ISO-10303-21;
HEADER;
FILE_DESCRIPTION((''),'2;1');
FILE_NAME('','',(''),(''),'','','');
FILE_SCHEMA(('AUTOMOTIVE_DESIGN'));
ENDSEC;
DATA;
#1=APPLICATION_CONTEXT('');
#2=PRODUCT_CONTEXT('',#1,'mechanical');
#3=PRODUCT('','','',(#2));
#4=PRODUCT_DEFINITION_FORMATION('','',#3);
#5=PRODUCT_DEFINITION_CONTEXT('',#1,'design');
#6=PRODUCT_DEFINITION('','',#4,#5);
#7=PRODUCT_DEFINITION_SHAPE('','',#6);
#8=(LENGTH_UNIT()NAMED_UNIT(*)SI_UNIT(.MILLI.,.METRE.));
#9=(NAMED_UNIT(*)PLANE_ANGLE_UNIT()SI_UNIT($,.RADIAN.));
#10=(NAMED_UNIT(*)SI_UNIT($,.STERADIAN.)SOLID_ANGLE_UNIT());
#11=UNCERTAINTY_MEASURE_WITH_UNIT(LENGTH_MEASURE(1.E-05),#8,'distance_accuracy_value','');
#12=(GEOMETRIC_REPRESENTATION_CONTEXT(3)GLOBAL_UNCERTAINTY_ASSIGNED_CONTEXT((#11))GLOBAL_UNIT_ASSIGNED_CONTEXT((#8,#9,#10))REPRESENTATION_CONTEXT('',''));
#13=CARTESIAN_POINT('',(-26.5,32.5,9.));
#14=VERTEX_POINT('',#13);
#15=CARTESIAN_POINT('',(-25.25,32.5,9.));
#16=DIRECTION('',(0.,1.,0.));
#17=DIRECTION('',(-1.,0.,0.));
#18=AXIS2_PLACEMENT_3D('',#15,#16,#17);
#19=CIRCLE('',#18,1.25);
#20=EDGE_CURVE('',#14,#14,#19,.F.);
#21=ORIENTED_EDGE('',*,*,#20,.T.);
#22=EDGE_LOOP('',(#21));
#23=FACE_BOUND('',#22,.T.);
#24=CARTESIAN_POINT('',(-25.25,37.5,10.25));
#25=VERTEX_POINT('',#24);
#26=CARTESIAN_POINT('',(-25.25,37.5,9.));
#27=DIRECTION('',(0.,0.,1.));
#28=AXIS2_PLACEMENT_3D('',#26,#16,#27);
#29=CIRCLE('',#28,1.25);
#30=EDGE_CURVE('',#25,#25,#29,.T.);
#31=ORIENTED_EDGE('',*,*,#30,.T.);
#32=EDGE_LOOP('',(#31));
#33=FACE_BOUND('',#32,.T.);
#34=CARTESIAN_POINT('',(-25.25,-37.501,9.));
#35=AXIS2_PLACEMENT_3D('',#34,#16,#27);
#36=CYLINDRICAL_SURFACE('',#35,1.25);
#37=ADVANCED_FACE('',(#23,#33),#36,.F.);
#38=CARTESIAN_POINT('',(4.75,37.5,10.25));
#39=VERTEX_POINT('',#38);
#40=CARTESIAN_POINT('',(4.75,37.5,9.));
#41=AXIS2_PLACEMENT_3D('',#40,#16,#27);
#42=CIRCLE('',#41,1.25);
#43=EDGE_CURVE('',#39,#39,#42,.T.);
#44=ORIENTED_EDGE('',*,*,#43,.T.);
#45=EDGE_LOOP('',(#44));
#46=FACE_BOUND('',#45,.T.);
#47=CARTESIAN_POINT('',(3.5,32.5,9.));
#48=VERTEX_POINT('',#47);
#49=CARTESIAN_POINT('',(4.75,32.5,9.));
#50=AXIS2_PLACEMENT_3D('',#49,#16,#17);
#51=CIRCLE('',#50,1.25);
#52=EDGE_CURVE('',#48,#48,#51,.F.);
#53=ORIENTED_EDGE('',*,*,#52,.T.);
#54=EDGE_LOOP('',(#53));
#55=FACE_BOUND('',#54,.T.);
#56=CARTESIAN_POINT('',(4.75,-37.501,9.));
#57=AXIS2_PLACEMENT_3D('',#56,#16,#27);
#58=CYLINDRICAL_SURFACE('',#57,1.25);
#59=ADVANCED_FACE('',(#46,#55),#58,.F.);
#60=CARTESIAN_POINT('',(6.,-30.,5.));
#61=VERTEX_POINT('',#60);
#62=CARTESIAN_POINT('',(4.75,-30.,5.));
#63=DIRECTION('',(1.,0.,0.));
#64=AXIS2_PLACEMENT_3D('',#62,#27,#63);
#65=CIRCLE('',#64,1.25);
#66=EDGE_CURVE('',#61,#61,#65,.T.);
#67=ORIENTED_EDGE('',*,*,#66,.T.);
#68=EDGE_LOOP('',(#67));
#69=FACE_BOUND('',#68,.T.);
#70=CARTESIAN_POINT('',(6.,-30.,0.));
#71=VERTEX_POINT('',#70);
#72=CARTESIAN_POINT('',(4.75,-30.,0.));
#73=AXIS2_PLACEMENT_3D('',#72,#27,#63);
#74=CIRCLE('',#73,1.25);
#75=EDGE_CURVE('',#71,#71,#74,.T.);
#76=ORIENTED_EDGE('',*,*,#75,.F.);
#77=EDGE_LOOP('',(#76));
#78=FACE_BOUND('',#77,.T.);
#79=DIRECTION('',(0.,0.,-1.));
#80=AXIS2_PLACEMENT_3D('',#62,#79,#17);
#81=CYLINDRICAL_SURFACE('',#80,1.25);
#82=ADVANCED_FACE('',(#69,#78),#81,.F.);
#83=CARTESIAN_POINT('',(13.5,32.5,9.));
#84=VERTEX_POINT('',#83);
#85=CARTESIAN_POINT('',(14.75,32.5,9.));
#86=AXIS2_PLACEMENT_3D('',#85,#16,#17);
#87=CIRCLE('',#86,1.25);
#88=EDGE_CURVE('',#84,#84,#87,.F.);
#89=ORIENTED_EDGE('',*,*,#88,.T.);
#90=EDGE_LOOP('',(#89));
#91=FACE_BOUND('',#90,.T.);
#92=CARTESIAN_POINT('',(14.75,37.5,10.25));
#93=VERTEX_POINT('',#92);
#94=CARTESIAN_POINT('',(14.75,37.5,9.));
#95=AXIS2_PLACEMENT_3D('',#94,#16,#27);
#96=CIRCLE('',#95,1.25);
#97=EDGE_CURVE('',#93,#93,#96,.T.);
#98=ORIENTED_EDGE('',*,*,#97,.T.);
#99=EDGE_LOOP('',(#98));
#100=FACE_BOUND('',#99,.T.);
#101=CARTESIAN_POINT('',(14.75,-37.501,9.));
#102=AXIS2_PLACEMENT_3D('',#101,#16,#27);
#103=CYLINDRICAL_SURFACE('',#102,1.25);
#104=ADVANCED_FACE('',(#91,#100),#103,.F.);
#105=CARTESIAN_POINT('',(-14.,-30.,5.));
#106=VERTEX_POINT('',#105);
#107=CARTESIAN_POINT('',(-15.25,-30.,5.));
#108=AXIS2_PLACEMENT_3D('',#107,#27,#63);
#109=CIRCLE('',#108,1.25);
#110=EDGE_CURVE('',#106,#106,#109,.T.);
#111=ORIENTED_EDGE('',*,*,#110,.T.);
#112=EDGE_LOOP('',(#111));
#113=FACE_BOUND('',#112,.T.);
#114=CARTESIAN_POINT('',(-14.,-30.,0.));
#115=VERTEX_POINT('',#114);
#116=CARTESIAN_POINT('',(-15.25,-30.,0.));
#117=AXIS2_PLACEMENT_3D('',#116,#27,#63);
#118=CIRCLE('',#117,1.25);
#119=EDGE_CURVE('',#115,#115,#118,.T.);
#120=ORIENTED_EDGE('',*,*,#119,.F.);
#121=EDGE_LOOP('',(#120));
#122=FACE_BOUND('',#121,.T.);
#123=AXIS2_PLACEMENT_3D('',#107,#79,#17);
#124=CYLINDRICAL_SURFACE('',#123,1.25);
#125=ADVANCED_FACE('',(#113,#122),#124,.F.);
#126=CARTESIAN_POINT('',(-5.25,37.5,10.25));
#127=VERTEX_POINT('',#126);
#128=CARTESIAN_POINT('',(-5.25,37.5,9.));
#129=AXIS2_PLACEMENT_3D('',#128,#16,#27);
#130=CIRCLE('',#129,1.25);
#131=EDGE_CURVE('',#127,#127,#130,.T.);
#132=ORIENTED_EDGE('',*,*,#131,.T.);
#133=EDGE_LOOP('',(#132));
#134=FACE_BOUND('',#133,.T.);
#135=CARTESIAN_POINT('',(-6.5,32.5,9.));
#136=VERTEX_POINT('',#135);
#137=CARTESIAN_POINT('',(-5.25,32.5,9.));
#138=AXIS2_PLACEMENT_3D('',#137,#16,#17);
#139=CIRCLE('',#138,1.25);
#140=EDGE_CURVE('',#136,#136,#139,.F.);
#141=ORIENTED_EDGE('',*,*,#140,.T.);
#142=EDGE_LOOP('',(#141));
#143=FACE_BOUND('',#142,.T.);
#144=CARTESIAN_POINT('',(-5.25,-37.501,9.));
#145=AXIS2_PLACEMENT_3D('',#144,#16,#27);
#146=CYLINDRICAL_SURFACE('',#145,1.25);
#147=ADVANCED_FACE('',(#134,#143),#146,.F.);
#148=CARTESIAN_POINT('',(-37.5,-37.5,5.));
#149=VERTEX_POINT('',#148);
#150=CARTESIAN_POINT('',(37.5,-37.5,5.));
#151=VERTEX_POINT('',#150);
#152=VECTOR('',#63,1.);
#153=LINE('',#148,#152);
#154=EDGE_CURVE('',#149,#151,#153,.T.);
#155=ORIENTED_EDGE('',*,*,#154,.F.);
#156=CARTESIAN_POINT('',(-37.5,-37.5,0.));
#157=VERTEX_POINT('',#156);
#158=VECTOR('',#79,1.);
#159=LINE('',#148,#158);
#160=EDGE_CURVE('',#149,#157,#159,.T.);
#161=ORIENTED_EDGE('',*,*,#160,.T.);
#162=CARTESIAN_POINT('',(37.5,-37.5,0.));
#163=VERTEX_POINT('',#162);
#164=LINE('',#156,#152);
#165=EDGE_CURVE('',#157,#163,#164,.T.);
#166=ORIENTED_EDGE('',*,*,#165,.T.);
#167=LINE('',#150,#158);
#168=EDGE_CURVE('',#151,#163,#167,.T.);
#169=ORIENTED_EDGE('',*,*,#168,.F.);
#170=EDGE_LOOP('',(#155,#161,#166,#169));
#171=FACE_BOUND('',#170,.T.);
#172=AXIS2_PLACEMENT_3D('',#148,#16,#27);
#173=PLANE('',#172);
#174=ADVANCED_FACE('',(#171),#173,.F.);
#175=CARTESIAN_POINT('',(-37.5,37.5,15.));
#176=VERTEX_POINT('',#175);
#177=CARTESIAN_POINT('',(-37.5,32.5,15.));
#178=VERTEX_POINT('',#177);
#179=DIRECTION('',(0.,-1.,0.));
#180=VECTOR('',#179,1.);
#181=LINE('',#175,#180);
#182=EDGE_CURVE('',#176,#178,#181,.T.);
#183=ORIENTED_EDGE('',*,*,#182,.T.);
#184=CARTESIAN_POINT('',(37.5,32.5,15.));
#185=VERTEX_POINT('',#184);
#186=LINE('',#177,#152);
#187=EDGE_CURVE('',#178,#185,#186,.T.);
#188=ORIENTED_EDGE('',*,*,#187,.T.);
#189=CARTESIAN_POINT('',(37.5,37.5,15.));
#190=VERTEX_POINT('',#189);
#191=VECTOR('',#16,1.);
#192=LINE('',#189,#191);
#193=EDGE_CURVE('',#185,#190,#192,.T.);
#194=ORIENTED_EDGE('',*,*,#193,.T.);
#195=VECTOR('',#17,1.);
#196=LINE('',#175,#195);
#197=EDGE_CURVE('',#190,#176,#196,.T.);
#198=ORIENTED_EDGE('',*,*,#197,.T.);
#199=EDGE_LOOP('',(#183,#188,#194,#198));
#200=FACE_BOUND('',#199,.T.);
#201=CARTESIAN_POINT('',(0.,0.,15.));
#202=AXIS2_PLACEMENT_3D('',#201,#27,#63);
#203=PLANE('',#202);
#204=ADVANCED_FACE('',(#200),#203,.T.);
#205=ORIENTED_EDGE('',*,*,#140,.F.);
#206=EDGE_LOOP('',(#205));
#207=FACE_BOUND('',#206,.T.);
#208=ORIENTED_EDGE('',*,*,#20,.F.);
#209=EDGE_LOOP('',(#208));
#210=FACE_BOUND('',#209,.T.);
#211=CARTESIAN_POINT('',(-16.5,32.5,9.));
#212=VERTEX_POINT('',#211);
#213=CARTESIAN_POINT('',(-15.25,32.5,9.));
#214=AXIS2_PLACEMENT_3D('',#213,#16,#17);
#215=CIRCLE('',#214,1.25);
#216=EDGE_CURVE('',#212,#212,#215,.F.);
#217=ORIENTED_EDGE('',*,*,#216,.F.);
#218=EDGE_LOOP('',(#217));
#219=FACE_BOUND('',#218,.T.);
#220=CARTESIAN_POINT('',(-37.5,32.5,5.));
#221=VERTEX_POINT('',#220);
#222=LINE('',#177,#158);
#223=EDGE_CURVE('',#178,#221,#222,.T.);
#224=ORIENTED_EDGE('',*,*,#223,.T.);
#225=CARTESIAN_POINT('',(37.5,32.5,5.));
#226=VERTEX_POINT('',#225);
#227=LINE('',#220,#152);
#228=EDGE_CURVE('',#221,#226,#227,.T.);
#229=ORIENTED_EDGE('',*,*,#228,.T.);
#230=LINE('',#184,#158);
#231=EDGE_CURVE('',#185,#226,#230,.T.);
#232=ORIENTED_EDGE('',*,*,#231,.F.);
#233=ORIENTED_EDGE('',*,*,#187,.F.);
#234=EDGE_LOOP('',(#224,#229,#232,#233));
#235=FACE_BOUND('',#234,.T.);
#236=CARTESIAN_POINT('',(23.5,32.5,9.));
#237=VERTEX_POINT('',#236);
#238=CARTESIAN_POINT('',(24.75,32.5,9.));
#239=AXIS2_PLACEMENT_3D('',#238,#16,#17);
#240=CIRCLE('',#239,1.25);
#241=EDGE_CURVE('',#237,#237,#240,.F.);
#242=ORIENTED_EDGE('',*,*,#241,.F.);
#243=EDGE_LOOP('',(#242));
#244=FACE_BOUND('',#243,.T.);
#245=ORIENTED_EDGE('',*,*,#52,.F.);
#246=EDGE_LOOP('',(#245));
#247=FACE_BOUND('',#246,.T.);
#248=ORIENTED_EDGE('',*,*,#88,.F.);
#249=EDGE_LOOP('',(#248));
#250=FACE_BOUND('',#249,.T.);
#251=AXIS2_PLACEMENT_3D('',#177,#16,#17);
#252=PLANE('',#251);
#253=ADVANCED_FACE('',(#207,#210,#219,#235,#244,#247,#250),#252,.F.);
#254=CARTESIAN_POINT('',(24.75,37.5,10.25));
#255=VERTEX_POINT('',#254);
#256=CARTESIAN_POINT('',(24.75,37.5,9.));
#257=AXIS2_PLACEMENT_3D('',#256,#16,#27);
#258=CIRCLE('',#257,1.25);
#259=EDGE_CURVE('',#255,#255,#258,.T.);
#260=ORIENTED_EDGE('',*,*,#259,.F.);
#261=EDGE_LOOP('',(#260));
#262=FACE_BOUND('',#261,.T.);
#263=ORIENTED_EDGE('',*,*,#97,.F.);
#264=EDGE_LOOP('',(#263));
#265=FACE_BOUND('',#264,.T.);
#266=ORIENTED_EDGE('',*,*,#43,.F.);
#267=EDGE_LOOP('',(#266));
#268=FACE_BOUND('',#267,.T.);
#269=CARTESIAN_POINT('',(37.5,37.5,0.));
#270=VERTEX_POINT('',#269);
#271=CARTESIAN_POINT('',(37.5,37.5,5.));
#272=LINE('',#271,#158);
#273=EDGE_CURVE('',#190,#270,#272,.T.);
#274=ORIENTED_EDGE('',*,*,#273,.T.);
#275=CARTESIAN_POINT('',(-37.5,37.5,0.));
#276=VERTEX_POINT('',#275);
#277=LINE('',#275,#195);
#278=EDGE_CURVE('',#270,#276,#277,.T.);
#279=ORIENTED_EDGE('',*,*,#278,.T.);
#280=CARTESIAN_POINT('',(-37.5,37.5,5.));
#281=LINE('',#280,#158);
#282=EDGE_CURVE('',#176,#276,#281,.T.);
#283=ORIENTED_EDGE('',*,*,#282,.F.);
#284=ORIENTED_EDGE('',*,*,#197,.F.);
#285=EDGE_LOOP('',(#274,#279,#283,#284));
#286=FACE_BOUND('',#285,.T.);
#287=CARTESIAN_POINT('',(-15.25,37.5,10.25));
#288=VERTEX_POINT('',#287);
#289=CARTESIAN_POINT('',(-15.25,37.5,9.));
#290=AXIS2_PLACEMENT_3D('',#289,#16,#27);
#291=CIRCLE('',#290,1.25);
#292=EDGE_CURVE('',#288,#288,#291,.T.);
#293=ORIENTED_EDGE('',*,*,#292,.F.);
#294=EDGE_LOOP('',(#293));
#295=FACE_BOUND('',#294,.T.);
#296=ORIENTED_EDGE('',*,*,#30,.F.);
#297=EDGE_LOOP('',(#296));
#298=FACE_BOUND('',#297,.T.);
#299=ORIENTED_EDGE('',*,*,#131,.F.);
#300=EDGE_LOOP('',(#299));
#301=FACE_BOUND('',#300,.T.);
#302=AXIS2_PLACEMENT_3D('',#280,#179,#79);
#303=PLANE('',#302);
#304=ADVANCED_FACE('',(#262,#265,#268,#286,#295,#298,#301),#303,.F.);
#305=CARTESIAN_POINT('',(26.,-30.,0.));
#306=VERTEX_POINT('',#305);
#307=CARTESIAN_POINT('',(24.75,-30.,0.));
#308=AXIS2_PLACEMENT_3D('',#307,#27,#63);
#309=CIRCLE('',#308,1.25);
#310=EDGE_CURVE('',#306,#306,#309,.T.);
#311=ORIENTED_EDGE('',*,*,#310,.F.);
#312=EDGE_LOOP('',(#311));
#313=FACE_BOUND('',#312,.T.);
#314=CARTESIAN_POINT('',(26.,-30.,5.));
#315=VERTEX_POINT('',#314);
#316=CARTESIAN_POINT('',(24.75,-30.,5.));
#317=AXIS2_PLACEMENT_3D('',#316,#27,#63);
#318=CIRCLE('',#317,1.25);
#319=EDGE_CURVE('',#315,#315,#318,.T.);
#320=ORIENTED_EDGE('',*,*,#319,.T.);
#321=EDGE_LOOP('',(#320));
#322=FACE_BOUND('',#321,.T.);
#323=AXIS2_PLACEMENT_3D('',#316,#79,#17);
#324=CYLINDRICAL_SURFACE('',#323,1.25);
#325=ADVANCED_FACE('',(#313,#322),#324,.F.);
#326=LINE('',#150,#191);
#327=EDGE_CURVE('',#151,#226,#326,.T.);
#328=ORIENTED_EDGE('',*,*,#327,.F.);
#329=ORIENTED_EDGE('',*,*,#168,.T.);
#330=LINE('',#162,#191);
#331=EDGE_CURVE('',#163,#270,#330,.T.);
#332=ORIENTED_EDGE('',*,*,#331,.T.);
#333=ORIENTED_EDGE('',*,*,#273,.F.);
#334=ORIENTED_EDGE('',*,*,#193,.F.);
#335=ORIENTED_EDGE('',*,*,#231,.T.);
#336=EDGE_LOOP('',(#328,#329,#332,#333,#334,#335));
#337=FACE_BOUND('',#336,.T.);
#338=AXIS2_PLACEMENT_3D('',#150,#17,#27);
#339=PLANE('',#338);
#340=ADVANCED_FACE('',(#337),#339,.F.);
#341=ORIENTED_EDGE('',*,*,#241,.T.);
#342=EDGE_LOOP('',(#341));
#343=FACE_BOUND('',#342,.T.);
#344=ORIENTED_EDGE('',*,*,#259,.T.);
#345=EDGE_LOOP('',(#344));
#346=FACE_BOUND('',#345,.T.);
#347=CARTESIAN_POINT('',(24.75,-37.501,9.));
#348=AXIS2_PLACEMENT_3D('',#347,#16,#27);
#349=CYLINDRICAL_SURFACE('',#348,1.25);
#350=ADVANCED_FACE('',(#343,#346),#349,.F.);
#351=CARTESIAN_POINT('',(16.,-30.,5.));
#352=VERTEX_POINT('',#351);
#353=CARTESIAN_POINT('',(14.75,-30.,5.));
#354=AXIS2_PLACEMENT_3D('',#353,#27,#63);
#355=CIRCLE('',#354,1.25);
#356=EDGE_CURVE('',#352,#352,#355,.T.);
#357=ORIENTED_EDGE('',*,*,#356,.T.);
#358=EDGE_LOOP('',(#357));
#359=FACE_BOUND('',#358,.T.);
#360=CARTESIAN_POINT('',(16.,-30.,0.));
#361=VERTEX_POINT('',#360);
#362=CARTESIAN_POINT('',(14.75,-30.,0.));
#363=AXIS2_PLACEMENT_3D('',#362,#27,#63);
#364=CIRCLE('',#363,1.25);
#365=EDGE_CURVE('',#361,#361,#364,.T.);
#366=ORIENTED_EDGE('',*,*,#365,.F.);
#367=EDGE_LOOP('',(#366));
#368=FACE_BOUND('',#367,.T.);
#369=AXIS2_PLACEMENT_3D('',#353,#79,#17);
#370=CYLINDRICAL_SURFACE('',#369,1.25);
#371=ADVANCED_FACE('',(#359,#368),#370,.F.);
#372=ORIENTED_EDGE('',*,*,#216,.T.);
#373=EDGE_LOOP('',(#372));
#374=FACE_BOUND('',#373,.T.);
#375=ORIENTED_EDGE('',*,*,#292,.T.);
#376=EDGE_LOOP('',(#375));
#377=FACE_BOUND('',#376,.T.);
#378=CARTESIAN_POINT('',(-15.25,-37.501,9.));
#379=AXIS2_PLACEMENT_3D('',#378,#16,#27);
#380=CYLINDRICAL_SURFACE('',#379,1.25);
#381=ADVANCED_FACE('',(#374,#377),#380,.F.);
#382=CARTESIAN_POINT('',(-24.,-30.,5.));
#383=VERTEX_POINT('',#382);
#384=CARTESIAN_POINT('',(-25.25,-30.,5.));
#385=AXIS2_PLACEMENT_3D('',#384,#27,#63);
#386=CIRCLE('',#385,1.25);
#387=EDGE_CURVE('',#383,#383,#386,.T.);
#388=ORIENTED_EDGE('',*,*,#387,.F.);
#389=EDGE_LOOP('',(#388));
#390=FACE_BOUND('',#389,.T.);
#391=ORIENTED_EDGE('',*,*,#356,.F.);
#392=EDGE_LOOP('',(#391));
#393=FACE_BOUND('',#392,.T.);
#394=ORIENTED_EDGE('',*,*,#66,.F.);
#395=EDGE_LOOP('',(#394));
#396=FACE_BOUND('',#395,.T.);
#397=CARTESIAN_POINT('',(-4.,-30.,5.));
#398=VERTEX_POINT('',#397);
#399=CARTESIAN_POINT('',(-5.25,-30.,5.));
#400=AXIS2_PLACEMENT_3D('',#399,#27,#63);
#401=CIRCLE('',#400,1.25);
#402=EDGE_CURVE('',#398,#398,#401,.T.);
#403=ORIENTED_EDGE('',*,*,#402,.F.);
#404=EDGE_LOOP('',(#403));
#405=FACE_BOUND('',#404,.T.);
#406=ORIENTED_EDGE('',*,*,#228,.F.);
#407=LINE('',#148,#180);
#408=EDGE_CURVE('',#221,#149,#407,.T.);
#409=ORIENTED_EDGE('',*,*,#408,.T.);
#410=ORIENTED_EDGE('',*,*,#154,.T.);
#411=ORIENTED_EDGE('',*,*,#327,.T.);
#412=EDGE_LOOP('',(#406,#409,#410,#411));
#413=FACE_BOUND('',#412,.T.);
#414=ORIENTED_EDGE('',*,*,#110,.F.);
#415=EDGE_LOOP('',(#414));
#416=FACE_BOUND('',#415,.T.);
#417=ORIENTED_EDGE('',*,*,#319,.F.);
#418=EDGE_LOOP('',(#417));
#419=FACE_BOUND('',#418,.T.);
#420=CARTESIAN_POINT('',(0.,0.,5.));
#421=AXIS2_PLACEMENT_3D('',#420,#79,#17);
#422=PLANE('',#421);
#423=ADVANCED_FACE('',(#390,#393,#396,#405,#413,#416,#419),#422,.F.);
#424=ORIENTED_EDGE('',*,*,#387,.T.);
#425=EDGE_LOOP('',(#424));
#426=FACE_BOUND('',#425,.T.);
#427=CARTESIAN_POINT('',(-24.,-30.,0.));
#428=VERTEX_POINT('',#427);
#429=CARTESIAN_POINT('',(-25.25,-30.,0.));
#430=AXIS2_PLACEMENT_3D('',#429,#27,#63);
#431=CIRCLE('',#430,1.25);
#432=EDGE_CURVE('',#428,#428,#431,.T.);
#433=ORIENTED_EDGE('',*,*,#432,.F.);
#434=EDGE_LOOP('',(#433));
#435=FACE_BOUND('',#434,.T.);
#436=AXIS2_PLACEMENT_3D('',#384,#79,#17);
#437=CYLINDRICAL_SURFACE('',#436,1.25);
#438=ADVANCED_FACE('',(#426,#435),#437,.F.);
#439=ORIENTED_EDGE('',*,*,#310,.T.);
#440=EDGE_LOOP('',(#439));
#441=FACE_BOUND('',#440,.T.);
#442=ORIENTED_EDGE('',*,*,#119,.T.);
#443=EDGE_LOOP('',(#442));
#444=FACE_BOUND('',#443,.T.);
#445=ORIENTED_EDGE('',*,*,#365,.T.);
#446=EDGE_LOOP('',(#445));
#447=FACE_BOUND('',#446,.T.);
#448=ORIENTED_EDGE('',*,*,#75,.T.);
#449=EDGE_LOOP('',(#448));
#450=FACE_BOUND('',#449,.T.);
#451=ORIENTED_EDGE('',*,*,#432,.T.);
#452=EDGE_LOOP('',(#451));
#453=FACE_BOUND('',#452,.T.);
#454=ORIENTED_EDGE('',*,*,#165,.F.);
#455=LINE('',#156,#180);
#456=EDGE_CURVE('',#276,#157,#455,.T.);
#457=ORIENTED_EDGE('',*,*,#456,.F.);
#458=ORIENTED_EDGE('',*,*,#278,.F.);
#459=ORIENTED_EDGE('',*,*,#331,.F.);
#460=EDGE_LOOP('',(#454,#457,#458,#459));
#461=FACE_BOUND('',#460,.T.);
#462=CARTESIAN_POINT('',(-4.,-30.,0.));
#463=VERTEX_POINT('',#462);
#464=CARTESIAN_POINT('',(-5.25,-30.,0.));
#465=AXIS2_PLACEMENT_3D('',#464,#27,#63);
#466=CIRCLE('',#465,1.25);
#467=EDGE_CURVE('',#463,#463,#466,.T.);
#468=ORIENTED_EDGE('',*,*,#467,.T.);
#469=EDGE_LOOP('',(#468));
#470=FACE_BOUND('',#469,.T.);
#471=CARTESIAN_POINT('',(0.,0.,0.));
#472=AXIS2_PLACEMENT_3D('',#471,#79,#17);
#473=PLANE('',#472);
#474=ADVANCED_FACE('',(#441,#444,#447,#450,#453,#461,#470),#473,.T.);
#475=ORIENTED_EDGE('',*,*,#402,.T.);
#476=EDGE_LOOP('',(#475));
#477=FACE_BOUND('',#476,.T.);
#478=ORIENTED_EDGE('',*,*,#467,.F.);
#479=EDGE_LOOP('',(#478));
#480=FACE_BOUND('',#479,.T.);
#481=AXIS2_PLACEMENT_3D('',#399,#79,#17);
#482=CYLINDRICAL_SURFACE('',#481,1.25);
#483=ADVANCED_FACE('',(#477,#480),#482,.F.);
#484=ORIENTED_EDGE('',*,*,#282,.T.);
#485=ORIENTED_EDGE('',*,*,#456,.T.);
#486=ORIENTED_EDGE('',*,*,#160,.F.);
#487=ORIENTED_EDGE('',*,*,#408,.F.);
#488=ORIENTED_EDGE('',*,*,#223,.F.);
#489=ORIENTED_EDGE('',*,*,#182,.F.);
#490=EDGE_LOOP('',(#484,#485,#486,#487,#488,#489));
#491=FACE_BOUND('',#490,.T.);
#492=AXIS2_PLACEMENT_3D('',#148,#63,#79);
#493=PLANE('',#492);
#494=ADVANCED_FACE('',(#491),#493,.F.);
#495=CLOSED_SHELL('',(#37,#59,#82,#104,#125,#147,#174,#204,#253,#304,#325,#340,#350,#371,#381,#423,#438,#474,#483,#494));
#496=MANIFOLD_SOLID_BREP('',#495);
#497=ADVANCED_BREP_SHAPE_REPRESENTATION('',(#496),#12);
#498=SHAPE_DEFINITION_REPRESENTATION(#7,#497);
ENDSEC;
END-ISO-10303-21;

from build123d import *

# Parameters (mm, degrees)
SKETCH1_W           = 75
SKETCH1_H           = 75
SKETCH1_R           = 1.25
BOSS_EXTRUDE1_DEPTH = 5
SKETCH2_W           = 75
SKETCH2_H           = 5
BOSS_EXTRUDE2_DEPTH = 10
CUT_EXTRUDE1_REACH  = 87.184
SKETCH3_R           = 1.25


with BuildPart() as part:
    # Sketch1 → Boss-Extrude1 (new body)
    with BuildSketch(Plane.XY):
        Rectangle(SKETCH1_W, SKETCH1_H)
        with Locations((-25.25, -30)):
            Circle(SKETCH1_R, mode=Mode.SUBTRACT)
        with Locations((-15.25, -30)):
            Circle(SKETCH1_R, mode=Mode.SUBTRACT)
        with Locations((-5.25, -30)):
            Circle(SKETCH1_R, mode=Mode.SUBTRACT)
        with Locations((4.75, -30)):
            Circle(SKETCH1_R, mode=Mode.SUBTRACT)
        with Locations((14.75, -30)):
            Circle(SKETCH1_R, mode=Mode.SUBTRACT)
        with Locations((24.75, -30)):
            Circle(SKETCH1_R, mode=Mode.SUBTRACT)
    extrude(amount=BOSS_EXTRUDE1_DEPTH)

    # Sketch2 → Boss-Extrude2 (add)
    with BuildSketch(Plane.XY.offset(5)):
        with Locations((0, 35)):
            Rectangle(SKETCH2_W, SKETCH2_H)
    extrude(amount=BOSS_EXTRUDE2_DEPTH)

    # Sketch3 → Cut-Extrude1 (cut, up to next)
    with BuildSketch(Plane(origin=(0, 37.5, 0), x_dir=(1, 0, 0), z_dir=(0, 1, 0)), mode=Mode.PRIVATE) as cut_extrude1_sk1:
        with Locations(Location((-25.25, -9, 0), (0, 0, 270))):
            Circle(SKETCH3_R)
    cut_extrude1_tool1 = extrude(cut_extrude1_sk1.sketch, amount=-CUT_EXTRUDE1_REACH, mode=Mode.PRIVATE) & part.part
    # Sketch3 → Cut-Extrude1 (cut, up to next)
    with BuildSketch(Plane(origin=(0, 37.5, 0), x_dir=(1, 0, 0), z_dir=(0, 1, 0)), mode=Mode.PRIVATE) as cut_extrude1_sk2:
        with Locations(Location((-15.25, -9, 0), (0, 0, 270))):
            Circle(SKETCH3_R)
    cut_extrude1_tool2 = extrude(cut_extrude1_sk2.sketch, amount=-CUT_EXTRUDE1_REACH, mode=Mode.PRIVATE) & part.part
    # Sketch3 → Cut-Extrude1 (cut, up to next)
    with BuildSketch(Plane(origin=(0, 37.5, 0), x_dir=(1, 0, 0), z_dir=(0, 1, 0)), mode=Mode.PRIVATE) as cut_extrude1_sk3:
        with Locations(Location((-5.25, -9, 0), (0, 0, 270))):
            Circle(SKETCH3_R)
    cut_extrude1_tool3 = extrude(cut_extrude1_sk3.sketch, amount=-CUT_EXTRUDE1_REACH, mode=Mode.PRIVATE) & part.part
    # Sketch3 → Cut-Extrude1 (cut, up to next)
    with BuildSketch(Plane(origin=(0, 37.5, 0), x_dir=(1, 0, 0), z_dir=(0, 1, 0)), mode=Mode.PRIVATE) as cut_extrude1_sk4:
        with Locations(Location((4.75, -9, 0), (0, 0, 270))):
            Circle(SKETCH3_R)
    cut_extrude1_tool4 = extrude(cut_extrude1_sk4.sketch, amount=-CUT_EXTRUDE1_REACH, mode=Mode.PRIVATE) & part.part
    # Sketch3 → Cut-Extrude1 (cut, up to next)
    with BuildSketch(Plane(origin=(0, 37.5, 0), x_dir=(1, 0, 0), z_dir=(0, 1, 0)), mode=Mode.PRIVATE) as cut_extrude1_sk5:
        with Locations(Location((14.75, -9, 0), (0, 0, 270))):
            Circle(SKETCH3_R)
    cut_extrude1_tool5 = extrude(cut_extrude1_sk5.sketch, amount=-CUT_EXTRUDE1_REACH, mode=Mode.PRIVATE) & part.part
    # Sketch3 → Cut-Extrude1 (cut, up to next)
    with BuildSketch(Plane(origin=(0, 37.5, 0), x_dir=(1, 0, 0), z_dir=(0, 1, 0)), mode=Mode.PRIVATE) as cut_extrude1_sk6:
        with Locations(Location((24.75, -9, 0), (0, 0, 270))):
            Circle(SKETCH3_R)
    cut_extrude1_tool6 = extrude(cut_extrude1_sk6.sketch, amount=-CUT_EXTRUDE1_REACH, mode=Mode.PRIVATE) & part.part
    add(cut_extrude1_tool1.solids().sort_by_distance((-25.25, 37.5, 9))[0], mode=Mode.SUBTRACT)
    add(cut_extrude1_tool2.solids().sort_by_distance((-15.25, 37.5, 9))[0], mode=Mode.SUBTRACT)
    add(cut_extrude1_tool3.solids().sort_by_distance((-5.25, 37.5, 9))[0], mode=Mode.SUBTRACT)
    add(cut_extrude1_tool4.solids().sort_by_distance((4.75, 37.5, 9))[0], mode=Mode.SUBTRACT)
    add(cut_extrude1_tool5.solids().sort_by_distance((14.75, 37.5, 9))[0], mode=Mode.SUBTRACT)
    add(cut_extrude1_tool6.solids().sort_by_distance((24.75, 37.5, 9))[0], mode=Mode.SUBTRACT)


solid = part.part
